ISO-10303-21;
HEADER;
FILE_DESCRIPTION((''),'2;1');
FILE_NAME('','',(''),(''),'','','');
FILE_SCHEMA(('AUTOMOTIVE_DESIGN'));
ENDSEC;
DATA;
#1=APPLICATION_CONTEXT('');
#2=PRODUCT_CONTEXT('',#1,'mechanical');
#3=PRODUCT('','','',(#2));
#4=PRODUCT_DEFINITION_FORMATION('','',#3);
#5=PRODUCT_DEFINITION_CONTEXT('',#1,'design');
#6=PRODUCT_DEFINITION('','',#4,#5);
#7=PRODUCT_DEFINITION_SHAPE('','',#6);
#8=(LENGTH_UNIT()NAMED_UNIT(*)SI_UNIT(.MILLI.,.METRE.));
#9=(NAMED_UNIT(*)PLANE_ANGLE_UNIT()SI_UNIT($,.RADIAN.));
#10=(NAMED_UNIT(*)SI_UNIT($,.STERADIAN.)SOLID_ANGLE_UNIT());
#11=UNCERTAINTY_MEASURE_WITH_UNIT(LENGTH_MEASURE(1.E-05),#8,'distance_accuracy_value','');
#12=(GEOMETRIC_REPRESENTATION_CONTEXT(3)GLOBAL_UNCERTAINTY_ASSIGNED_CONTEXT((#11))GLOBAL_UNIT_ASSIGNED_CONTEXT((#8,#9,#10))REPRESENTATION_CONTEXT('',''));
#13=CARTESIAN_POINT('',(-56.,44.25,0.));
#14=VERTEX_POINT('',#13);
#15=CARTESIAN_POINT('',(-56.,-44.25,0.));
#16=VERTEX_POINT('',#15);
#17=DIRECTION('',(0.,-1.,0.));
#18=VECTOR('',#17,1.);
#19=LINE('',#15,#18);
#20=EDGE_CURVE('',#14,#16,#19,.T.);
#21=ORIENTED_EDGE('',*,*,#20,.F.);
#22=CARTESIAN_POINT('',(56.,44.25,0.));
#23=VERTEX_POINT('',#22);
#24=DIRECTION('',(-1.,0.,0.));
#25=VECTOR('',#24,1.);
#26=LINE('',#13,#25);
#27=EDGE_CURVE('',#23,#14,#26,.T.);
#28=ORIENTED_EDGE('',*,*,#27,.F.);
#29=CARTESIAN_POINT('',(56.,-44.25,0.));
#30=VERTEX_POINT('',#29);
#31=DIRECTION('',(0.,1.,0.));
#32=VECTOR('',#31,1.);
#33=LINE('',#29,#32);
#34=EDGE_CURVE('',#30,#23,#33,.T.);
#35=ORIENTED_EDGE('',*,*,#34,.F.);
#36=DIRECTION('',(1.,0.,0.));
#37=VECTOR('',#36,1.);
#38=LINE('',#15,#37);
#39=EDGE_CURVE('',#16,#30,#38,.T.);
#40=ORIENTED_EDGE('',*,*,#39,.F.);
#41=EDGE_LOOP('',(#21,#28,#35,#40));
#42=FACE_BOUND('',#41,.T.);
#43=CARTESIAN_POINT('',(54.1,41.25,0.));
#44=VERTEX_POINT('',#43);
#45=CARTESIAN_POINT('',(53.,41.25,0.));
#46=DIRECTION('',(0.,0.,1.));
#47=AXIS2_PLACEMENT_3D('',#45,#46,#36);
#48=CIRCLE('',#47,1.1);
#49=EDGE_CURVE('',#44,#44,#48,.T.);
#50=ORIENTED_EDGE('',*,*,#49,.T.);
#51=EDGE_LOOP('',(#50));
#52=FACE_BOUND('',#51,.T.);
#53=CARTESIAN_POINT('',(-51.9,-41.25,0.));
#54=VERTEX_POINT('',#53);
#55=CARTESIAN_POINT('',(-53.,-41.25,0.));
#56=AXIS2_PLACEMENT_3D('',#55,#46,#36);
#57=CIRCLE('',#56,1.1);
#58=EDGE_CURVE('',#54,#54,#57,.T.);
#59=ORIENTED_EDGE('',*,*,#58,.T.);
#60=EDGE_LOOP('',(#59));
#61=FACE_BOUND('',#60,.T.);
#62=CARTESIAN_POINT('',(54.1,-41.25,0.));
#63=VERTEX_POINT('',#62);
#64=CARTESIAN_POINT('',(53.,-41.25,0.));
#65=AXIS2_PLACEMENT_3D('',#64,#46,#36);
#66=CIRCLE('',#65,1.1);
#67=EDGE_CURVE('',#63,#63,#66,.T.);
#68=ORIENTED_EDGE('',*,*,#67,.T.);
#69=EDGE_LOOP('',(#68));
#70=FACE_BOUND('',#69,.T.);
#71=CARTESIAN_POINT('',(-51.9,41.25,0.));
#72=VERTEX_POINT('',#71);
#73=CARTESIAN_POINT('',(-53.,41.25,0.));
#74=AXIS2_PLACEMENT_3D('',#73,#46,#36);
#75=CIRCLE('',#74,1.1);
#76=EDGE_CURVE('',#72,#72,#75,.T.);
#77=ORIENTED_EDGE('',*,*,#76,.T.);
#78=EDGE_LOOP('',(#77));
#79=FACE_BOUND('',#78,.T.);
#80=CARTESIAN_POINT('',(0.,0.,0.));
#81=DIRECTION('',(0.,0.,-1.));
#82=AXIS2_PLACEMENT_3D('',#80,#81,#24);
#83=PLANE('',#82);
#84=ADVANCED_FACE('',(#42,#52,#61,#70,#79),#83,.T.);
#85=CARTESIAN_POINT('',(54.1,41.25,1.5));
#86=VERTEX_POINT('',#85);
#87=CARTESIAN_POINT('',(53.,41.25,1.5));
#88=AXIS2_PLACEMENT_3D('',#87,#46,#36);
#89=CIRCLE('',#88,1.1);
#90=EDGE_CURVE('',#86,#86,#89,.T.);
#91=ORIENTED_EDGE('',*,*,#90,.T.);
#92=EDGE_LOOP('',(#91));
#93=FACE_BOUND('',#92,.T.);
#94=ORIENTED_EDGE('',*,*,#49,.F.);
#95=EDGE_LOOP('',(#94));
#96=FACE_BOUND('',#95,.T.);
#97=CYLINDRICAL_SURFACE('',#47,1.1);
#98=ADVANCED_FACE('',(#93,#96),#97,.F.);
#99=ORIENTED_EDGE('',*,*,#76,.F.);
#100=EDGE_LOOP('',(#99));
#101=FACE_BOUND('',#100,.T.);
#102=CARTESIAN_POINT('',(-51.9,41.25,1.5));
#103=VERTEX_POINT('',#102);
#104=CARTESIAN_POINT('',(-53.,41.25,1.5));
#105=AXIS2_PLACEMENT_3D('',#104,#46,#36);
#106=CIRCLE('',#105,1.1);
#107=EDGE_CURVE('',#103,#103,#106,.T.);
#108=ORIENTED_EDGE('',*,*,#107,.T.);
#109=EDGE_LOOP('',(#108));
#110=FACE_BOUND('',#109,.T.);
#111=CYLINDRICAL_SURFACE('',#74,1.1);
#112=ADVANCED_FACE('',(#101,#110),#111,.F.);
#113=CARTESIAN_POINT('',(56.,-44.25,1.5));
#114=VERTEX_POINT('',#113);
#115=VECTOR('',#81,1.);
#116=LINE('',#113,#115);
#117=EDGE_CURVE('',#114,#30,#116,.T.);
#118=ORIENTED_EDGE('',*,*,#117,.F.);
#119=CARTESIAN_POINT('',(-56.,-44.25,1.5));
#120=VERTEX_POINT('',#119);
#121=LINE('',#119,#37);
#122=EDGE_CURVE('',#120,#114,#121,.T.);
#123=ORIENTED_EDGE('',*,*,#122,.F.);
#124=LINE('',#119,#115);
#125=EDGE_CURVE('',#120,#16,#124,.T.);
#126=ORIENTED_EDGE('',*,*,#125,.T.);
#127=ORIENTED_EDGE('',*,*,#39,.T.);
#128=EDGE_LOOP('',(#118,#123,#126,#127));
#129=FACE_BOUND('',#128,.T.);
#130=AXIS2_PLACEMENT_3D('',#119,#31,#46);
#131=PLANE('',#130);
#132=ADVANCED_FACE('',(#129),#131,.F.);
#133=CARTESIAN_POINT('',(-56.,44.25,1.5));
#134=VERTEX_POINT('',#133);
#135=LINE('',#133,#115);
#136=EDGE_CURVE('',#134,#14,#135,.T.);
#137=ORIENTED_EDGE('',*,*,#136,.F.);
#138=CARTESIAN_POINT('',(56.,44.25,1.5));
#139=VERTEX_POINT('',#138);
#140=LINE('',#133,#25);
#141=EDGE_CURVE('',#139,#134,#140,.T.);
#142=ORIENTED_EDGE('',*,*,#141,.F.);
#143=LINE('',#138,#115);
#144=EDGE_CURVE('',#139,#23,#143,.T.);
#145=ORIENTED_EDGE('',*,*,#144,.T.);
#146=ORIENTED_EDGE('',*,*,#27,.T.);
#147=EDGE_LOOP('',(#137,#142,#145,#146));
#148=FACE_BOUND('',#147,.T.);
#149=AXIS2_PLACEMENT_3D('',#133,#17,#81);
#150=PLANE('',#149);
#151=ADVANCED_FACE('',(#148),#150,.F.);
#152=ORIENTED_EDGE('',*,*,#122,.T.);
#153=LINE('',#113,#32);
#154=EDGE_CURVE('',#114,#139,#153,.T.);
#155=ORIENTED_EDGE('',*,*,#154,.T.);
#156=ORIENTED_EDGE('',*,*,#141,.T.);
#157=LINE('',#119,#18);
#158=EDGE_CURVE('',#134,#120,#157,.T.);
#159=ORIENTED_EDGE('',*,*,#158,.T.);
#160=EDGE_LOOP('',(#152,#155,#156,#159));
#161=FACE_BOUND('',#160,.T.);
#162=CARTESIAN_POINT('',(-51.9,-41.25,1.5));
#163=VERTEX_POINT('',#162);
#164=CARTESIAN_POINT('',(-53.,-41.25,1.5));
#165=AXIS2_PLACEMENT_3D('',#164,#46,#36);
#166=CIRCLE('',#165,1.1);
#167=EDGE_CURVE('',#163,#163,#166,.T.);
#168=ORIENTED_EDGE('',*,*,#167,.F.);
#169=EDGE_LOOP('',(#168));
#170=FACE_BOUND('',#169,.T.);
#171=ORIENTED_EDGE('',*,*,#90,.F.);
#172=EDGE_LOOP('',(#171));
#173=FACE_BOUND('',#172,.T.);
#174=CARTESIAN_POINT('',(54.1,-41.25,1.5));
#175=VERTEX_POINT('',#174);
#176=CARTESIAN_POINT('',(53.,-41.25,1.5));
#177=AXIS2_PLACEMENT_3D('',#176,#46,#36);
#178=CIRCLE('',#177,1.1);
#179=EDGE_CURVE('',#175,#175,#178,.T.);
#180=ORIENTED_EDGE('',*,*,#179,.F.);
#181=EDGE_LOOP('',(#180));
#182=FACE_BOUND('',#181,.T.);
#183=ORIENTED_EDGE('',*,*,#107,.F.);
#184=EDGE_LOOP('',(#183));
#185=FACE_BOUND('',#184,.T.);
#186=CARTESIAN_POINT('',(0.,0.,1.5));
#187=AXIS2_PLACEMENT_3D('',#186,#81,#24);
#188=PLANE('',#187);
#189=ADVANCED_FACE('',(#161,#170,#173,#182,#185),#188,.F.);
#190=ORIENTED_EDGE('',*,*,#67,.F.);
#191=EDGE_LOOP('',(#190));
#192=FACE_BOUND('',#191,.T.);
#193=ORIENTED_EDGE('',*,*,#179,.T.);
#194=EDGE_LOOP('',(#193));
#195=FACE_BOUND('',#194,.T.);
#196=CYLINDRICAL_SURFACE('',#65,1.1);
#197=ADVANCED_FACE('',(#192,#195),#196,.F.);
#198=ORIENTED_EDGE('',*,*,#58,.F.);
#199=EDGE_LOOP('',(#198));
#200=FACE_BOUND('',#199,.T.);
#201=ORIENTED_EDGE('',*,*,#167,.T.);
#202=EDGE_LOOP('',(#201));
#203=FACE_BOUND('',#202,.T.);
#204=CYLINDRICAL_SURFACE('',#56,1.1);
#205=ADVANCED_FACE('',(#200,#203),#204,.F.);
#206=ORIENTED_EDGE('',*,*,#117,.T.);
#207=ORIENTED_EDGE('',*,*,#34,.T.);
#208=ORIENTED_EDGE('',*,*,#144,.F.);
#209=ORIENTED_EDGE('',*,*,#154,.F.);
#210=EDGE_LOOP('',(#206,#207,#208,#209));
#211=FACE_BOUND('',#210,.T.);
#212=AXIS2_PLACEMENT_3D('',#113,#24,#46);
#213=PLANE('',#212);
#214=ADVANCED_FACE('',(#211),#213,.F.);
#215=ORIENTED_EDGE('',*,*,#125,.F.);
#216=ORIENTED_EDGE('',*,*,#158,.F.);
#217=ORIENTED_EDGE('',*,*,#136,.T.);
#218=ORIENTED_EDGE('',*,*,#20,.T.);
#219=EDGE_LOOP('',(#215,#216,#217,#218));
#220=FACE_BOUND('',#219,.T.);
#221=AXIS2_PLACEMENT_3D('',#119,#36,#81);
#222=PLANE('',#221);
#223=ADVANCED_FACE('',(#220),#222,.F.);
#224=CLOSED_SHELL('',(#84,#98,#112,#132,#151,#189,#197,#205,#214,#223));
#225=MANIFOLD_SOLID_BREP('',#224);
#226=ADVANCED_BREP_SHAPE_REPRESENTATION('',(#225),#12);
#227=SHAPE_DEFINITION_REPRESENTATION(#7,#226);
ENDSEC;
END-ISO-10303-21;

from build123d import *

# Parameters (mm, degrees)
SKETCH1_W           = 112
SKETCH1_H           = 88.5
BOSS_EXTRUDE1_DEPTH = 1.5
SKETCH2_R           = 1.1
CUT_EXTRUDE1_DEPTH  = 2.5


with BuildPart() as part:
    # Sketch1 → Boss-Extrude1 (new body)
    with BuildSketch(Plane.XY):
        Rectangle(SKETCH1_W, SKETCH1_H)
    extrude(amount=BOSS_EXTRUDE1_DEPTH)

    # Sketch2 → Cut-Extrude1 (cut, through all)
    with BuildSketch(Plane.XY.offset(1.5)):
        with Locations((-53, 41.25)):
            Circle(SKETCH2_R)
        with Locations((53, 41.25)):
            Circle(SKETCH2_R)
        with Locations((53, -41.25)):
            Circle(SKETCH2_R)
        with Locations((-53, -41.25)):
            Circle(SKETCH2_R)
    extrude(amount=-CUT_EXTRUDE1_DEPTH, mode=Mode.SUBTRACT)


solid = part.part
